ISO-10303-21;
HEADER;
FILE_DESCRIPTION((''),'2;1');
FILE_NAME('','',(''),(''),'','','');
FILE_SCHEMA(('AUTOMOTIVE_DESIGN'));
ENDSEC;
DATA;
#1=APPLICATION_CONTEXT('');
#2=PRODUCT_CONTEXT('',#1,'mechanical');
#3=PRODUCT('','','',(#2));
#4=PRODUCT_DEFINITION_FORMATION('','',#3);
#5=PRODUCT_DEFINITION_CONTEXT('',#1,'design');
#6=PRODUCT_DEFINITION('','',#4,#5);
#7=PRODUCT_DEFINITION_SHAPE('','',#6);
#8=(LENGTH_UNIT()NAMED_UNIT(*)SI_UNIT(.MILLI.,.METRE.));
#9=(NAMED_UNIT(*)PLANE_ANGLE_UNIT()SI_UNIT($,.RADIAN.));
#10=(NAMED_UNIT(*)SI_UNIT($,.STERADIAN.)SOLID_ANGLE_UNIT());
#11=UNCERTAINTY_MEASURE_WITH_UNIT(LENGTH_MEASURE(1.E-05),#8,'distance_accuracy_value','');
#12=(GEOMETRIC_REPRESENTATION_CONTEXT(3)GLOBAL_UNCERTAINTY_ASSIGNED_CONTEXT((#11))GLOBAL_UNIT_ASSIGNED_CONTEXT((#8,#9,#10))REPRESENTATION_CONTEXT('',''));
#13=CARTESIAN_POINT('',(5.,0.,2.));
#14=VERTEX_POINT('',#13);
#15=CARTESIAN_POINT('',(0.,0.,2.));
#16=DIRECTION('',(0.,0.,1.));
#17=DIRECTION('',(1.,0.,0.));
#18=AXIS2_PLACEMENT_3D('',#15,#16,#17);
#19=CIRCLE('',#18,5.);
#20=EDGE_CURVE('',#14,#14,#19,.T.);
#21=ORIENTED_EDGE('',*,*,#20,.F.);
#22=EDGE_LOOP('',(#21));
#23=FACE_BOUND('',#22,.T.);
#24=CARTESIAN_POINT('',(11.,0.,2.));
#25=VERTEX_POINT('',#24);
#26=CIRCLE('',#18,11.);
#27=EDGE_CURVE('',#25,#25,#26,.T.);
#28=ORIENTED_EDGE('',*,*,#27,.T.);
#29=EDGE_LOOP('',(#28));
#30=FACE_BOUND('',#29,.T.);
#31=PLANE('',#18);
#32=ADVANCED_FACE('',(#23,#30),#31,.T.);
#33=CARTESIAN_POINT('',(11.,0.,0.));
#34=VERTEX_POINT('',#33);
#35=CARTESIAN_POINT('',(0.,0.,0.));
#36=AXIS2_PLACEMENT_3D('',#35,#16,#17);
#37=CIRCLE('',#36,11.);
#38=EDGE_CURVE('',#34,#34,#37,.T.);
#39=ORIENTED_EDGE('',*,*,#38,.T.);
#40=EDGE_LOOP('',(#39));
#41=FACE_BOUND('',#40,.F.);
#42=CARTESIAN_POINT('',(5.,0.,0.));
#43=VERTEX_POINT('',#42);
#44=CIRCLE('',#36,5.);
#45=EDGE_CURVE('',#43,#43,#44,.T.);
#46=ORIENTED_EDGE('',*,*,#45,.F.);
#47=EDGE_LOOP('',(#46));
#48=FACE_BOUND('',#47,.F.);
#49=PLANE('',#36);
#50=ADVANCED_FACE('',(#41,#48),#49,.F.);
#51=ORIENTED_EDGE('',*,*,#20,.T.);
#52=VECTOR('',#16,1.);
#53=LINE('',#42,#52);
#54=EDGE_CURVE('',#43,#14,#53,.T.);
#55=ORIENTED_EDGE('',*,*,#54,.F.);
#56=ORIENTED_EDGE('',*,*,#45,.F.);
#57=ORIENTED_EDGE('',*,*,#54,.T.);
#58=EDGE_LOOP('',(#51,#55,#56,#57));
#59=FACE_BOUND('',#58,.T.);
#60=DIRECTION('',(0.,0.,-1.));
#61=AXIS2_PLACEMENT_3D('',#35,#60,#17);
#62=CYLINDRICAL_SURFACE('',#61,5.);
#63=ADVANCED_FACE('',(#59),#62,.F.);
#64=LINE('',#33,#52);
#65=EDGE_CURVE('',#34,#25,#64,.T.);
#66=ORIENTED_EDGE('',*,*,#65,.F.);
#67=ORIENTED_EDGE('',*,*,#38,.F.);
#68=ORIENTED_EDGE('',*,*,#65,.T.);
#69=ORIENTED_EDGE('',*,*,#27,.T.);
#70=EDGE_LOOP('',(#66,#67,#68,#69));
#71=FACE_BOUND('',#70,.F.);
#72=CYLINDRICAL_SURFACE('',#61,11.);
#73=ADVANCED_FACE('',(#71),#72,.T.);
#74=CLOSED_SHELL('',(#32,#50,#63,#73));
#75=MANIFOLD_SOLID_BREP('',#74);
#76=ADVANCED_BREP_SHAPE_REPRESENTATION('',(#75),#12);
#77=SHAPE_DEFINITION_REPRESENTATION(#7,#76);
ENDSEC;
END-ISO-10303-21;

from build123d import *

# Parameters (mm, degrees)
ESQUISSE1_R        = 11
ESQUISSE1_R_2      = 5
BOSS_EXTRU_1_DEPTH = 2


with BuildPart() as part:
    # Esquisse1 → Boss.-Extru.1 (new body)
    with BuildSketch(Plane.XY):
        Circle(ESQUISSE1_R)
        Circle(ESQUISSE1_R_2, mode=Mode.SUBTRACT)
    extrude(amount=BOSS_EXTRU_1_DEPTH)


solid = part.part
